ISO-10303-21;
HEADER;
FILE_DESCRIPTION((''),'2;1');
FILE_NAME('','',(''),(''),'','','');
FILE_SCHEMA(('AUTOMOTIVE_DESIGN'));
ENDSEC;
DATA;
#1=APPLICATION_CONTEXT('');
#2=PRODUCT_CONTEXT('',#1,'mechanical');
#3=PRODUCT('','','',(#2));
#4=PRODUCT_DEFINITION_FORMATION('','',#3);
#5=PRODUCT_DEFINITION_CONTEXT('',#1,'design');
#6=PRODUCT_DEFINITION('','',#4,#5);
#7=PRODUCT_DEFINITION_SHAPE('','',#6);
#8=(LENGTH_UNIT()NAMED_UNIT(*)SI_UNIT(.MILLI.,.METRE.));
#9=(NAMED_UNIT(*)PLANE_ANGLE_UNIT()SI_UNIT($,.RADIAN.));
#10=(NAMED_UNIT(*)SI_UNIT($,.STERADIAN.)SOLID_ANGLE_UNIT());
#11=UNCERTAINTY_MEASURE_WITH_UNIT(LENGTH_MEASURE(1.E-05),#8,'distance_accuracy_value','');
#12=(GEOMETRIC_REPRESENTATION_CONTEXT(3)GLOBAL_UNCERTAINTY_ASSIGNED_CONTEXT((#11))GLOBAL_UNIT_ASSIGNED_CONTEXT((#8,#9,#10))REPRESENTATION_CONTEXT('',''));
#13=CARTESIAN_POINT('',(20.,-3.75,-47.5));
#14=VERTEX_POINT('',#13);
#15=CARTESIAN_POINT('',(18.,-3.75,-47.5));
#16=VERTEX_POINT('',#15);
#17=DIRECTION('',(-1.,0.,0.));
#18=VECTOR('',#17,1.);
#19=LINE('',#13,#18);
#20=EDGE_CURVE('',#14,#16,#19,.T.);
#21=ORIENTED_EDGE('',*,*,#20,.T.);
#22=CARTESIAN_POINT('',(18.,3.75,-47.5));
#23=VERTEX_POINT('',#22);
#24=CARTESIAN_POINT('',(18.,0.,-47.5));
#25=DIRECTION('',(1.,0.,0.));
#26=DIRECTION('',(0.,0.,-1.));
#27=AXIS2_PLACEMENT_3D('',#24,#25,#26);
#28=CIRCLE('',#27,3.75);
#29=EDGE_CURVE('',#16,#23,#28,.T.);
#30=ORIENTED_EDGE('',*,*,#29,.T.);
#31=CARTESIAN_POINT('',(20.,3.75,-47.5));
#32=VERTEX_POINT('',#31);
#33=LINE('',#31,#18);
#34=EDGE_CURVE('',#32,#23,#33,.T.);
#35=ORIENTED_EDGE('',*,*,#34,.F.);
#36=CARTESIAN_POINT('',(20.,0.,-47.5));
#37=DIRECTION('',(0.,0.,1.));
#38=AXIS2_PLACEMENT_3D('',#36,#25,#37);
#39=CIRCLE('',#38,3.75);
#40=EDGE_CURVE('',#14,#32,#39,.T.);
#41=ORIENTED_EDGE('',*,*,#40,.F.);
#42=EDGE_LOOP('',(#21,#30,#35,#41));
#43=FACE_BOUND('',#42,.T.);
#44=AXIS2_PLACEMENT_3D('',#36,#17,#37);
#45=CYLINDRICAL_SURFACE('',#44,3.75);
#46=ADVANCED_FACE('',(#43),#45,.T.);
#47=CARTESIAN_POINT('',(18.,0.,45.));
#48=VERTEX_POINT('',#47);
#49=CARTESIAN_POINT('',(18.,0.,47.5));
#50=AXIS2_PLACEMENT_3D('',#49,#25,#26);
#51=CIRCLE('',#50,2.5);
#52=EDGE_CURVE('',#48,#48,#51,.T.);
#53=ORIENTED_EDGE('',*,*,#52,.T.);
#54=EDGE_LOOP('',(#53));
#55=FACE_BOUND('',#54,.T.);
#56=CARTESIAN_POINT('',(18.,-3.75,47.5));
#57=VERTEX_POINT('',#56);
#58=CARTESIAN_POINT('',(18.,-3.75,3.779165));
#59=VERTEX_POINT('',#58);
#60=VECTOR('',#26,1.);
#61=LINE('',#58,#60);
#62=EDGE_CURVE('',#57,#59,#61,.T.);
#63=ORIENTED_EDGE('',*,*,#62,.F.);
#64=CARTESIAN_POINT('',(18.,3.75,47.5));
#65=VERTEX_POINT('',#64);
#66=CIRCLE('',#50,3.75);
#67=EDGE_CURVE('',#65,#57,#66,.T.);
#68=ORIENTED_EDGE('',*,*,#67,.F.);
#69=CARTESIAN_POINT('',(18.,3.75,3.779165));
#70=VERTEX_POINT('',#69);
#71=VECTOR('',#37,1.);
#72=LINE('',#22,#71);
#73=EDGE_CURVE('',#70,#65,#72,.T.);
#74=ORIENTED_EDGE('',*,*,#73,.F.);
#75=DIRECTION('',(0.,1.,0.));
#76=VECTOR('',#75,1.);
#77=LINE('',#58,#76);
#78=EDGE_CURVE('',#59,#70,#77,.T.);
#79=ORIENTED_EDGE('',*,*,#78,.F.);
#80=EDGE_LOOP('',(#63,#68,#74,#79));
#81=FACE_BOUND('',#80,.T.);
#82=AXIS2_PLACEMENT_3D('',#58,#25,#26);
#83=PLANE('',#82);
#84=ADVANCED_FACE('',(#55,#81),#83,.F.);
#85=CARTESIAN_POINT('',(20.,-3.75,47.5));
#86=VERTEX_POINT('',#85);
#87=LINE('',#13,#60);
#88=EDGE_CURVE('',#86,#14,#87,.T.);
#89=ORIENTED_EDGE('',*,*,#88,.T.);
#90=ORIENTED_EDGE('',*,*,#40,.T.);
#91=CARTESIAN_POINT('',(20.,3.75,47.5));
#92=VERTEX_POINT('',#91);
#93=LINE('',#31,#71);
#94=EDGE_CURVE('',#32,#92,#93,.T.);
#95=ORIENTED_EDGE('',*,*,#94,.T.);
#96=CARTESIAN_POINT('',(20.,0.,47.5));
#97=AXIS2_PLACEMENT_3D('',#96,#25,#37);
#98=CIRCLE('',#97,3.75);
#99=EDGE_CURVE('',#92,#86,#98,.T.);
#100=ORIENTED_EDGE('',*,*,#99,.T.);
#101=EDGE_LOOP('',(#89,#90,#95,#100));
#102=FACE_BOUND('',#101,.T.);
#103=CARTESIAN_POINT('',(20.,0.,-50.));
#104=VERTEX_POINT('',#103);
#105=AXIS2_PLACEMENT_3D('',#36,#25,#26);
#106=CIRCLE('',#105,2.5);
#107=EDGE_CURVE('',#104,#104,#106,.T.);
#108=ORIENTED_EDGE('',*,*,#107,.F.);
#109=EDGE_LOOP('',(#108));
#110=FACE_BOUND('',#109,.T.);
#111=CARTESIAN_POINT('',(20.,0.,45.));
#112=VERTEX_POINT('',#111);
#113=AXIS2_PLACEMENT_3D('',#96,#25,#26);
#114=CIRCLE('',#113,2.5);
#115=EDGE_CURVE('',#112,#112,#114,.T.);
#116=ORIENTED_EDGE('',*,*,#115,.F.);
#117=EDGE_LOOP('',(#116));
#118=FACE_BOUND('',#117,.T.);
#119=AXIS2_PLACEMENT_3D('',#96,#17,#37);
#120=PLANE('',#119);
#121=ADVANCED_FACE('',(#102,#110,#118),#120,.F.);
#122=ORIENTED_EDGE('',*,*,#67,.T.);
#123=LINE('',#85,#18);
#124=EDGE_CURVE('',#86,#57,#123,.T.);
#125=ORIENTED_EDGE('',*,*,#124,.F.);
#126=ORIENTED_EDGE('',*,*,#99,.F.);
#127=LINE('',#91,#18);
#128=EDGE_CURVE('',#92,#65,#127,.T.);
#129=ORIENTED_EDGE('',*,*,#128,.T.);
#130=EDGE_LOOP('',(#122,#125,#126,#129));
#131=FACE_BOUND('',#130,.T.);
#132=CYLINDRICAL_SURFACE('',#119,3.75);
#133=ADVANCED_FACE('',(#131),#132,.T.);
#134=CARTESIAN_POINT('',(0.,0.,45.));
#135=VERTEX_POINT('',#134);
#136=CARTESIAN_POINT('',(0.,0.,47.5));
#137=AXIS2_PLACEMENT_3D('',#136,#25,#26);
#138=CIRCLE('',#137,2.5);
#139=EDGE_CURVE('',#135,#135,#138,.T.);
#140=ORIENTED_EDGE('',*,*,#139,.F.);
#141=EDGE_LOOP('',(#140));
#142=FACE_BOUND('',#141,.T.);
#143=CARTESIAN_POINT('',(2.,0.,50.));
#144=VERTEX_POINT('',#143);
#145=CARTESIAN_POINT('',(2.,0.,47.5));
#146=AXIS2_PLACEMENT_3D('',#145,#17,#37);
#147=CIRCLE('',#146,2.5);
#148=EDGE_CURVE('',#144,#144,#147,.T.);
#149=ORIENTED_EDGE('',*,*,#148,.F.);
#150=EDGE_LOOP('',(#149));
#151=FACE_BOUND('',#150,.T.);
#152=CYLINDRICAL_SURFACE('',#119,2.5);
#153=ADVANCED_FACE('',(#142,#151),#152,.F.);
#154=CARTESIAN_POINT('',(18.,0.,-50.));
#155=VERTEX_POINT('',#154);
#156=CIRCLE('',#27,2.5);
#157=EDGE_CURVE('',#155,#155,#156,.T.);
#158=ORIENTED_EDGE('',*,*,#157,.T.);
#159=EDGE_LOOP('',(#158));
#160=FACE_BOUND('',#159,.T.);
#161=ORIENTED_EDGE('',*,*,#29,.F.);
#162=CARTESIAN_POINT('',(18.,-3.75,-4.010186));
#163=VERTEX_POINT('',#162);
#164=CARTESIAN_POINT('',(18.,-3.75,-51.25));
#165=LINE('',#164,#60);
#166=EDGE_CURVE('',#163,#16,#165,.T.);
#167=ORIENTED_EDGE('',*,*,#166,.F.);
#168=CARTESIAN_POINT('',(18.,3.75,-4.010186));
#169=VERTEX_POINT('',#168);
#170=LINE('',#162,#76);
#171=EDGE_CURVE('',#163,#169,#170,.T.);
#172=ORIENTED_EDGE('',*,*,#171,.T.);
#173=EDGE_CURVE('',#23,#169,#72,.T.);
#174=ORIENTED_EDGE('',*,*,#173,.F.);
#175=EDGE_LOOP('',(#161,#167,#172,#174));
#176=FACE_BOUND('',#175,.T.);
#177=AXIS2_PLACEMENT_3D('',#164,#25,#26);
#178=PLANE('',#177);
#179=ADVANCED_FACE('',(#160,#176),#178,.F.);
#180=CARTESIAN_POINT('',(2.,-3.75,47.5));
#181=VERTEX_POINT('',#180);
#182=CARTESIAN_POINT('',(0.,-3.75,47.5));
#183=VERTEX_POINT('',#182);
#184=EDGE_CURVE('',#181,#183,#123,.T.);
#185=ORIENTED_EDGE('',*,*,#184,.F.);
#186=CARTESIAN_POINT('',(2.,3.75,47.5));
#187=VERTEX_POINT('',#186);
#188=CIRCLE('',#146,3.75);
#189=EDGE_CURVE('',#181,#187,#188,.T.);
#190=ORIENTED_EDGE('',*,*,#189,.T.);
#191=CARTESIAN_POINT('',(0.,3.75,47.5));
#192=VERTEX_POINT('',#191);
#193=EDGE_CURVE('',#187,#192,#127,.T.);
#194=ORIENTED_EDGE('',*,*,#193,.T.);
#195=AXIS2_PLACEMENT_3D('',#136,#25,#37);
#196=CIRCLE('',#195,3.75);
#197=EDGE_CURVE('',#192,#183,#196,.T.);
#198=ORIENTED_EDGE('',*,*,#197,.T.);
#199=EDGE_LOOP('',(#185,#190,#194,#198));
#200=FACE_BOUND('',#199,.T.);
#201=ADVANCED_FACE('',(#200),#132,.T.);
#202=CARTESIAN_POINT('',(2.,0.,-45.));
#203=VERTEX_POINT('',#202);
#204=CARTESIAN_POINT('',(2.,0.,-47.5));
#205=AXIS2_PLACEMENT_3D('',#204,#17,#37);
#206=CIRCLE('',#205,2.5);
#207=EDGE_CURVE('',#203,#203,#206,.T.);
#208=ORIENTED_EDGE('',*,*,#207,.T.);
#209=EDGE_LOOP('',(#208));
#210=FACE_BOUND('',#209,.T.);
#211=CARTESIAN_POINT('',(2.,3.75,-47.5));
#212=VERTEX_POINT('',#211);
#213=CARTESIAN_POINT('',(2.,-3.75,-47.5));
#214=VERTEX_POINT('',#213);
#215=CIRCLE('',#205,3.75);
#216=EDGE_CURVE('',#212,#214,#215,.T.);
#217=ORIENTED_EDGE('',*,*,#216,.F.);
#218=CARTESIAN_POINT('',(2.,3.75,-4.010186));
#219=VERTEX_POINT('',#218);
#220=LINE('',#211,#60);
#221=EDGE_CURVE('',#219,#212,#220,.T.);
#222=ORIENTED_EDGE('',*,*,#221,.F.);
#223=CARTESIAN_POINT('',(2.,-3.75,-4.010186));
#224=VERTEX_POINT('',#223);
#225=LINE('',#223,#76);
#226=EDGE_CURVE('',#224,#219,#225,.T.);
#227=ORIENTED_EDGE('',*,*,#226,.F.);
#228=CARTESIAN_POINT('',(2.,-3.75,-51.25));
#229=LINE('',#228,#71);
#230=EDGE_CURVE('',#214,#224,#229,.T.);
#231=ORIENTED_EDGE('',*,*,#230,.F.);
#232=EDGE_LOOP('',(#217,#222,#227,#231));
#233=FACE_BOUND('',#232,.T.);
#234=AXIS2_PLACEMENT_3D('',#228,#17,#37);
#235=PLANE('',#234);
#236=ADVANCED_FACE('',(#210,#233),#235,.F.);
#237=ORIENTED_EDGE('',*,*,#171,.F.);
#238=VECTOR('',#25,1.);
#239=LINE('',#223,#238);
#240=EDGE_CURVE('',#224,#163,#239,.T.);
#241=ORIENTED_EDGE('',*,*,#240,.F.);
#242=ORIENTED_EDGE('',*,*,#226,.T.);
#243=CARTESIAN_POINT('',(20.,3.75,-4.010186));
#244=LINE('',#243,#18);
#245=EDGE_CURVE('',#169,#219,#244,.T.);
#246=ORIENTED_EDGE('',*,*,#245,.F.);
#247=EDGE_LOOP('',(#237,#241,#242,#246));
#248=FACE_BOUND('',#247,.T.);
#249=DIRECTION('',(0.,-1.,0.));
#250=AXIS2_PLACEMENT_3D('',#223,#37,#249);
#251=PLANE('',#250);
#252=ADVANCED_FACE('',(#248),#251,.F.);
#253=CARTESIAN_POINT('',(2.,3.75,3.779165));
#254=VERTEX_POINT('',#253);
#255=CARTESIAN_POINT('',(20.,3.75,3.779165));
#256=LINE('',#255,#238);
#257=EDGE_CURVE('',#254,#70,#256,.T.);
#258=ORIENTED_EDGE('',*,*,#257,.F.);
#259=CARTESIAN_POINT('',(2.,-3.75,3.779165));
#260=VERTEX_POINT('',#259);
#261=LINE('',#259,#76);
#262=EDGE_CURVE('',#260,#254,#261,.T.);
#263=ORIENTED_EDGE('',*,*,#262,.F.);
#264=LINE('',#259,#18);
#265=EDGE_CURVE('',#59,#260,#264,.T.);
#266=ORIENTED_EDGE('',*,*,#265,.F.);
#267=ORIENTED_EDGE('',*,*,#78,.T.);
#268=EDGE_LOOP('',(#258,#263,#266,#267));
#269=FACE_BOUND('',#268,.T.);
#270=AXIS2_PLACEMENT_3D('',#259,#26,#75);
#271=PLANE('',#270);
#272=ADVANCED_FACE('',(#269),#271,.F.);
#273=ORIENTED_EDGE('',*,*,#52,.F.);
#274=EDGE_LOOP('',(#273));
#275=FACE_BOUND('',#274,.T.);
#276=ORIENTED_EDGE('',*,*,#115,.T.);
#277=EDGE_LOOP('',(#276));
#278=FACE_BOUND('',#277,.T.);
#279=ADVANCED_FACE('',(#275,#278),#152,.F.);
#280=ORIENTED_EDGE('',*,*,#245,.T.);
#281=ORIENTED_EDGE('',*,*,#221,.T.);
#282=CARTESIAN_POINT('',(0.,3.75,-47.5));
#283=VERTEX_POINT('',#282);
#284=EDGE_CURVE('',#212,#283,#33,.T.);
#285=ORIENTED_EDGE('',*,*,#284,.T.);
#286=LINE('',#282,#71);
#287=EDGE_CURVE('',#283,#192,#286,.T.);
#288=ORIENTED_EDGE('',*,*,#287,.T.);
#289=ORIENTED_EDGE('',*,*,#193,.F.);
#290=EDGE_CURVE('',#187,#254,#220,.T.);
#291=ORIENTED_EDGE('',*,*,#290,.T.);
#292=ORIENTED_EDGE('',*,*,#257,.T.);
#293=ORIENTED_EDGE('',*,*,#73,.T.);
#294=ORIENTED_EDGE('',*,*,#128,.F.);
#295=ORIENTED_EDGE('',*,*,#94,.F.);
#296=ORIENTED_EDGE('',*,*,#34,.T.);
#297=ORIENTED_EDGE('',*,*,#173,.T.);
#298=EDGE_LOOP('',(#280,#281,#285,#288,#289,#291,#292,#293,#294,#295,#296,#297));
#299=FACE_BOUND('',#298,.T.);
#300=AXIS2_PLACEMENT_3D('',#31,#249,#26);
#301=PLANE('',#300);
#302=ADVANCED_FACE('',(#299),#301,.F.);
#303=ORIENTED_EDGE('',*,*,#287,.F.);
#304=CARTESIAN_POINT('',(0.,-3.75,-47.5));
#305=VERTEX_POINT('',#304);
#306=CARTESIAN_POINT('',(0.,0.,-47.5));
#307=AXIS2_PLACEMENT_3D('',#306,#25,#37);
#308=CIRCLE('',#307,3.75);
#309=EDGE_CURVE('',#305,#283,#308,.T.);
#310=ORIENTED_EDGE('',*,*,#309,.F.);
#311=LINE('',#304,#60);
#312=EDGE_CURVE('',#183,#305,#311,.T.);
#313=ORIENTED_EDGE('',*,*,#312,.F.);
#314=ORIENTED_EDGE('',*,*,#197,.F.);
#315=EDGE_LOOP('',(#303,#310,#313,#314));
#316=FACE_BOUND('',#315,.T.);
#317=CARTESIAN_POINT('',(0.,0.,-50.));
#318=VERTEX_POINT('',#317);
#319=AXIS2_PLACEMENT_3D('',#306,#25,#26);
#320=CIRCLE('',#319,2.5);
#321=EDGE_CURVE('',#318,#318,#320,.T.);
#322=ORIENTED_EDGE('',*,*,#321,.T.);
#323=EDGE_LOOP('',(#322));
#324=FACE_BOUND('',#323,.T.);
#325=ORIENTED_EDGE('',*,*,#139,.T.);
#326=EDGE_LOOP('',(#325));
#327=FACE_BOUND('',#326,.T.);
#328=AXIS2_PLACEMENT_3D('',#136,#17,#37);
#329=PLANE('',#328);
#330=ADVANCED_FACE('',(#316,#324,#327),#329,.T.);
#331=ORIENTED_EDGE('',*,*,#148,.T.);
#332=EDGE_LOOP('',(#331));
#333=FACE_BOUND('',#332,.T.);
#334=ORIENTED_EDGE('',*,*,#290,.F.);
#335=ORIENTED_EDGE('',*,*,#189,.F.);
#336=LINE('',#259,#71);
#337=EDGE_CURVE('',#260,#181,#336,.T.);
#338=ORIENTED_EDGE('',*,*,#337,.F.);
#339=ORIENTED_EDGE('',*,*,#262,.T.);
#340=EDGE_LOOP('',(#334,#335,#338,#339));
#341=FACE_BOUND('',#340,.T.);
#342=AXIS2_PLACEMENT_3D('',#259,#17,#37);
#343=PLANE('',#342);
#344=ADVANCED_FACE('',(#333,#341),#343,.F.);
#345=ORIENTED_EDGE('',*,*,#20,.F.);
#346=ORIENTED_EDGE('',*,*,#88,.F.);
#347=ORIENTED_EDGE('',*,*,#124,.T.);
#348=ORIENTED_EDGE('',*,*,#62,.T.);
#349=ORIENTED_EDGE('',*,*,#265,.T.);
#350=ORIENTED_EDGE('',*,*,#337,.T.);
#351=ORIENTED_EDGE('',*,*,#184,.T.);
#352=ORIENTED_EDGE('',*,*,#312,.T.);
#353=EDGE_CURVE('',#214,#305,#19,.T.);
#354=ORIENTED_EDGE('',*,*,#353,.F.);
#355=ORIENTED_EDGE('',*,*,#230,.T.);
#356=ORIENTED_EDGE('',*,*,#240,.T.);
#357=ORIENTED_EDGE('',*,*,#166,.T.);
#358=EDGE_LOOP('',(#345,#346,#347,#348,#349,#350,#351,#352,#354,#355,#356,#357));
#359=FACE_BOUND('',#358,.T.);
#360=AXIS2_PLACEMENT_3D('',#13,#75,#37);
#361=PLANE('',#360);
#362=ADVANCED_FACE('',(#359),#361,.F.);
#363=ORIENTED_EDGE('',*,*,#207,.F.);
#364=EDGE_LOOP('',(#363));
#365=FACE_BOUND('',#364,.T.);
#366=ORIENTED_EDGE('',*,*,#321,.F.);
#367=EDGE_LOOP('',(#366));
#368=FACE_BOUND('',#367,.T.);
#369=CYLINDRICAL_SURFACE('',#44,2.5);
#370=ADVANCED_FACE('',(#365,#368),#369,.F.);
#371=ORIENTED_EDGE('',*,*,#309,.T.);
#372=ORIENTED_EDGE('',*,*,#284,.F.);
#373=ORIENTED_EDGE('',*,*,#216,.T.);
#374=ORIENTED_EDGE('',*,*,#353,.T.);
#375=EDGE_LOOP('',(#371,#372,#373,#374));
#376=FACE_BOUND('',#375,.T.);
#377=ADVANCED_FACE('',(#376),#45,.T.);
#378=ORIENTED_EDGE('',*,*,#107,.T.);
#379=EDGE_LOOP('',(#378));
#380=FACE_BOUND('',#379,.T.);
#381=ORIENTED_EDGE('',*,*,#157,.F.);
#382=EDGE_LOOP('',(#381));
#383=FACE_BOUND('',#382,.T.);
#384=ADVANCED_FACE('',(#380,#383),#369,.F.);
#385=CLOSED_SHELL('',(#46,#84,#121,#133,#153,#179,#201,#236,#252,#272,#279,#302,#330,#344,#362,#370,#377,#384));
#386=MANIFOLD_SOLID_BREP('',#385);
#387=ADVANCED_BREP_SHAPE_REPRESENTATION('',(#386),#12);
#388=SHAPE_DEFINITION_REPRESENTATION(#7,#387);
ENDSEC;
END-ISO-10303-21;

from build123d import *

# Parameters (mm, degrees)
SKETCH1_R               = 2.5
BOSS_EXTRUDE1_DEPTH     = 20
CUT_EXTRUDE1_DEPTH      = 56.523080786
CUT_EXTRUDE1_DEPTH_BACK = 56.523080786
SKETCH2_W               = 16
SKETCH2_H               = 47.239813723
SKETCH2_H_2             = 47.470835296


with BuildPart() as part:
    # Sketch1 → Boss-Extrude1 (new body)
    with BuildSketch(Plane(origin=(0, 0, 0), x_dir=(0, 0, -1), z_dir=(1, 0, 0))):
        with BuildLine():
            Line((47.5, 3.75), (-47.5, 3.75))
            ThreePointArc((-47.5, 3.75), (-51.25, 0), (-47.5, -3.75))
            Line((-47.5, -3.75), (47.5, -3.75))
            ThreePointArc((47.5, -3.75), (51.25, 0), (47.5, 3.75))
        make_face()
        with Locations((-47.5, 0)):
            Circle(SKETCH1_R, mode=Mode.SUBTRACT)
        with Locations((47.5, 0)):
            Circle(SKETCH1_R, mode=Mode.SUBTRACT)
    extrude(amount=BOSS_EXTRUDE1_DEPTH)

    # Sketch2 → Cut-Extrude1 (cut, two sides: drawn at the far end of the back side and taken through both)
    with BuildSketch(Plane(origin=(0, 3.75, 0), x_dir=(1, 0, 0), z_dir=(0, 1, 0)).offset(-CUT_EXTRUDE1_DEPTH_BACK)):
        with Locations((10, 27.630093139)):
            Rectangle(SKETCH2_W, SKETCH2_H)
        with Locations((10, -27.514582352)):
            Rectangle(SKETCH2_W, SKETCH2_H_2)
    extrude(amount=CUT_EXTRUDE1_DEPTH + CUT_EXTRUDE1_DEPTH_BACK, mode=Mode.SUBTRACT)


solid = part.part
